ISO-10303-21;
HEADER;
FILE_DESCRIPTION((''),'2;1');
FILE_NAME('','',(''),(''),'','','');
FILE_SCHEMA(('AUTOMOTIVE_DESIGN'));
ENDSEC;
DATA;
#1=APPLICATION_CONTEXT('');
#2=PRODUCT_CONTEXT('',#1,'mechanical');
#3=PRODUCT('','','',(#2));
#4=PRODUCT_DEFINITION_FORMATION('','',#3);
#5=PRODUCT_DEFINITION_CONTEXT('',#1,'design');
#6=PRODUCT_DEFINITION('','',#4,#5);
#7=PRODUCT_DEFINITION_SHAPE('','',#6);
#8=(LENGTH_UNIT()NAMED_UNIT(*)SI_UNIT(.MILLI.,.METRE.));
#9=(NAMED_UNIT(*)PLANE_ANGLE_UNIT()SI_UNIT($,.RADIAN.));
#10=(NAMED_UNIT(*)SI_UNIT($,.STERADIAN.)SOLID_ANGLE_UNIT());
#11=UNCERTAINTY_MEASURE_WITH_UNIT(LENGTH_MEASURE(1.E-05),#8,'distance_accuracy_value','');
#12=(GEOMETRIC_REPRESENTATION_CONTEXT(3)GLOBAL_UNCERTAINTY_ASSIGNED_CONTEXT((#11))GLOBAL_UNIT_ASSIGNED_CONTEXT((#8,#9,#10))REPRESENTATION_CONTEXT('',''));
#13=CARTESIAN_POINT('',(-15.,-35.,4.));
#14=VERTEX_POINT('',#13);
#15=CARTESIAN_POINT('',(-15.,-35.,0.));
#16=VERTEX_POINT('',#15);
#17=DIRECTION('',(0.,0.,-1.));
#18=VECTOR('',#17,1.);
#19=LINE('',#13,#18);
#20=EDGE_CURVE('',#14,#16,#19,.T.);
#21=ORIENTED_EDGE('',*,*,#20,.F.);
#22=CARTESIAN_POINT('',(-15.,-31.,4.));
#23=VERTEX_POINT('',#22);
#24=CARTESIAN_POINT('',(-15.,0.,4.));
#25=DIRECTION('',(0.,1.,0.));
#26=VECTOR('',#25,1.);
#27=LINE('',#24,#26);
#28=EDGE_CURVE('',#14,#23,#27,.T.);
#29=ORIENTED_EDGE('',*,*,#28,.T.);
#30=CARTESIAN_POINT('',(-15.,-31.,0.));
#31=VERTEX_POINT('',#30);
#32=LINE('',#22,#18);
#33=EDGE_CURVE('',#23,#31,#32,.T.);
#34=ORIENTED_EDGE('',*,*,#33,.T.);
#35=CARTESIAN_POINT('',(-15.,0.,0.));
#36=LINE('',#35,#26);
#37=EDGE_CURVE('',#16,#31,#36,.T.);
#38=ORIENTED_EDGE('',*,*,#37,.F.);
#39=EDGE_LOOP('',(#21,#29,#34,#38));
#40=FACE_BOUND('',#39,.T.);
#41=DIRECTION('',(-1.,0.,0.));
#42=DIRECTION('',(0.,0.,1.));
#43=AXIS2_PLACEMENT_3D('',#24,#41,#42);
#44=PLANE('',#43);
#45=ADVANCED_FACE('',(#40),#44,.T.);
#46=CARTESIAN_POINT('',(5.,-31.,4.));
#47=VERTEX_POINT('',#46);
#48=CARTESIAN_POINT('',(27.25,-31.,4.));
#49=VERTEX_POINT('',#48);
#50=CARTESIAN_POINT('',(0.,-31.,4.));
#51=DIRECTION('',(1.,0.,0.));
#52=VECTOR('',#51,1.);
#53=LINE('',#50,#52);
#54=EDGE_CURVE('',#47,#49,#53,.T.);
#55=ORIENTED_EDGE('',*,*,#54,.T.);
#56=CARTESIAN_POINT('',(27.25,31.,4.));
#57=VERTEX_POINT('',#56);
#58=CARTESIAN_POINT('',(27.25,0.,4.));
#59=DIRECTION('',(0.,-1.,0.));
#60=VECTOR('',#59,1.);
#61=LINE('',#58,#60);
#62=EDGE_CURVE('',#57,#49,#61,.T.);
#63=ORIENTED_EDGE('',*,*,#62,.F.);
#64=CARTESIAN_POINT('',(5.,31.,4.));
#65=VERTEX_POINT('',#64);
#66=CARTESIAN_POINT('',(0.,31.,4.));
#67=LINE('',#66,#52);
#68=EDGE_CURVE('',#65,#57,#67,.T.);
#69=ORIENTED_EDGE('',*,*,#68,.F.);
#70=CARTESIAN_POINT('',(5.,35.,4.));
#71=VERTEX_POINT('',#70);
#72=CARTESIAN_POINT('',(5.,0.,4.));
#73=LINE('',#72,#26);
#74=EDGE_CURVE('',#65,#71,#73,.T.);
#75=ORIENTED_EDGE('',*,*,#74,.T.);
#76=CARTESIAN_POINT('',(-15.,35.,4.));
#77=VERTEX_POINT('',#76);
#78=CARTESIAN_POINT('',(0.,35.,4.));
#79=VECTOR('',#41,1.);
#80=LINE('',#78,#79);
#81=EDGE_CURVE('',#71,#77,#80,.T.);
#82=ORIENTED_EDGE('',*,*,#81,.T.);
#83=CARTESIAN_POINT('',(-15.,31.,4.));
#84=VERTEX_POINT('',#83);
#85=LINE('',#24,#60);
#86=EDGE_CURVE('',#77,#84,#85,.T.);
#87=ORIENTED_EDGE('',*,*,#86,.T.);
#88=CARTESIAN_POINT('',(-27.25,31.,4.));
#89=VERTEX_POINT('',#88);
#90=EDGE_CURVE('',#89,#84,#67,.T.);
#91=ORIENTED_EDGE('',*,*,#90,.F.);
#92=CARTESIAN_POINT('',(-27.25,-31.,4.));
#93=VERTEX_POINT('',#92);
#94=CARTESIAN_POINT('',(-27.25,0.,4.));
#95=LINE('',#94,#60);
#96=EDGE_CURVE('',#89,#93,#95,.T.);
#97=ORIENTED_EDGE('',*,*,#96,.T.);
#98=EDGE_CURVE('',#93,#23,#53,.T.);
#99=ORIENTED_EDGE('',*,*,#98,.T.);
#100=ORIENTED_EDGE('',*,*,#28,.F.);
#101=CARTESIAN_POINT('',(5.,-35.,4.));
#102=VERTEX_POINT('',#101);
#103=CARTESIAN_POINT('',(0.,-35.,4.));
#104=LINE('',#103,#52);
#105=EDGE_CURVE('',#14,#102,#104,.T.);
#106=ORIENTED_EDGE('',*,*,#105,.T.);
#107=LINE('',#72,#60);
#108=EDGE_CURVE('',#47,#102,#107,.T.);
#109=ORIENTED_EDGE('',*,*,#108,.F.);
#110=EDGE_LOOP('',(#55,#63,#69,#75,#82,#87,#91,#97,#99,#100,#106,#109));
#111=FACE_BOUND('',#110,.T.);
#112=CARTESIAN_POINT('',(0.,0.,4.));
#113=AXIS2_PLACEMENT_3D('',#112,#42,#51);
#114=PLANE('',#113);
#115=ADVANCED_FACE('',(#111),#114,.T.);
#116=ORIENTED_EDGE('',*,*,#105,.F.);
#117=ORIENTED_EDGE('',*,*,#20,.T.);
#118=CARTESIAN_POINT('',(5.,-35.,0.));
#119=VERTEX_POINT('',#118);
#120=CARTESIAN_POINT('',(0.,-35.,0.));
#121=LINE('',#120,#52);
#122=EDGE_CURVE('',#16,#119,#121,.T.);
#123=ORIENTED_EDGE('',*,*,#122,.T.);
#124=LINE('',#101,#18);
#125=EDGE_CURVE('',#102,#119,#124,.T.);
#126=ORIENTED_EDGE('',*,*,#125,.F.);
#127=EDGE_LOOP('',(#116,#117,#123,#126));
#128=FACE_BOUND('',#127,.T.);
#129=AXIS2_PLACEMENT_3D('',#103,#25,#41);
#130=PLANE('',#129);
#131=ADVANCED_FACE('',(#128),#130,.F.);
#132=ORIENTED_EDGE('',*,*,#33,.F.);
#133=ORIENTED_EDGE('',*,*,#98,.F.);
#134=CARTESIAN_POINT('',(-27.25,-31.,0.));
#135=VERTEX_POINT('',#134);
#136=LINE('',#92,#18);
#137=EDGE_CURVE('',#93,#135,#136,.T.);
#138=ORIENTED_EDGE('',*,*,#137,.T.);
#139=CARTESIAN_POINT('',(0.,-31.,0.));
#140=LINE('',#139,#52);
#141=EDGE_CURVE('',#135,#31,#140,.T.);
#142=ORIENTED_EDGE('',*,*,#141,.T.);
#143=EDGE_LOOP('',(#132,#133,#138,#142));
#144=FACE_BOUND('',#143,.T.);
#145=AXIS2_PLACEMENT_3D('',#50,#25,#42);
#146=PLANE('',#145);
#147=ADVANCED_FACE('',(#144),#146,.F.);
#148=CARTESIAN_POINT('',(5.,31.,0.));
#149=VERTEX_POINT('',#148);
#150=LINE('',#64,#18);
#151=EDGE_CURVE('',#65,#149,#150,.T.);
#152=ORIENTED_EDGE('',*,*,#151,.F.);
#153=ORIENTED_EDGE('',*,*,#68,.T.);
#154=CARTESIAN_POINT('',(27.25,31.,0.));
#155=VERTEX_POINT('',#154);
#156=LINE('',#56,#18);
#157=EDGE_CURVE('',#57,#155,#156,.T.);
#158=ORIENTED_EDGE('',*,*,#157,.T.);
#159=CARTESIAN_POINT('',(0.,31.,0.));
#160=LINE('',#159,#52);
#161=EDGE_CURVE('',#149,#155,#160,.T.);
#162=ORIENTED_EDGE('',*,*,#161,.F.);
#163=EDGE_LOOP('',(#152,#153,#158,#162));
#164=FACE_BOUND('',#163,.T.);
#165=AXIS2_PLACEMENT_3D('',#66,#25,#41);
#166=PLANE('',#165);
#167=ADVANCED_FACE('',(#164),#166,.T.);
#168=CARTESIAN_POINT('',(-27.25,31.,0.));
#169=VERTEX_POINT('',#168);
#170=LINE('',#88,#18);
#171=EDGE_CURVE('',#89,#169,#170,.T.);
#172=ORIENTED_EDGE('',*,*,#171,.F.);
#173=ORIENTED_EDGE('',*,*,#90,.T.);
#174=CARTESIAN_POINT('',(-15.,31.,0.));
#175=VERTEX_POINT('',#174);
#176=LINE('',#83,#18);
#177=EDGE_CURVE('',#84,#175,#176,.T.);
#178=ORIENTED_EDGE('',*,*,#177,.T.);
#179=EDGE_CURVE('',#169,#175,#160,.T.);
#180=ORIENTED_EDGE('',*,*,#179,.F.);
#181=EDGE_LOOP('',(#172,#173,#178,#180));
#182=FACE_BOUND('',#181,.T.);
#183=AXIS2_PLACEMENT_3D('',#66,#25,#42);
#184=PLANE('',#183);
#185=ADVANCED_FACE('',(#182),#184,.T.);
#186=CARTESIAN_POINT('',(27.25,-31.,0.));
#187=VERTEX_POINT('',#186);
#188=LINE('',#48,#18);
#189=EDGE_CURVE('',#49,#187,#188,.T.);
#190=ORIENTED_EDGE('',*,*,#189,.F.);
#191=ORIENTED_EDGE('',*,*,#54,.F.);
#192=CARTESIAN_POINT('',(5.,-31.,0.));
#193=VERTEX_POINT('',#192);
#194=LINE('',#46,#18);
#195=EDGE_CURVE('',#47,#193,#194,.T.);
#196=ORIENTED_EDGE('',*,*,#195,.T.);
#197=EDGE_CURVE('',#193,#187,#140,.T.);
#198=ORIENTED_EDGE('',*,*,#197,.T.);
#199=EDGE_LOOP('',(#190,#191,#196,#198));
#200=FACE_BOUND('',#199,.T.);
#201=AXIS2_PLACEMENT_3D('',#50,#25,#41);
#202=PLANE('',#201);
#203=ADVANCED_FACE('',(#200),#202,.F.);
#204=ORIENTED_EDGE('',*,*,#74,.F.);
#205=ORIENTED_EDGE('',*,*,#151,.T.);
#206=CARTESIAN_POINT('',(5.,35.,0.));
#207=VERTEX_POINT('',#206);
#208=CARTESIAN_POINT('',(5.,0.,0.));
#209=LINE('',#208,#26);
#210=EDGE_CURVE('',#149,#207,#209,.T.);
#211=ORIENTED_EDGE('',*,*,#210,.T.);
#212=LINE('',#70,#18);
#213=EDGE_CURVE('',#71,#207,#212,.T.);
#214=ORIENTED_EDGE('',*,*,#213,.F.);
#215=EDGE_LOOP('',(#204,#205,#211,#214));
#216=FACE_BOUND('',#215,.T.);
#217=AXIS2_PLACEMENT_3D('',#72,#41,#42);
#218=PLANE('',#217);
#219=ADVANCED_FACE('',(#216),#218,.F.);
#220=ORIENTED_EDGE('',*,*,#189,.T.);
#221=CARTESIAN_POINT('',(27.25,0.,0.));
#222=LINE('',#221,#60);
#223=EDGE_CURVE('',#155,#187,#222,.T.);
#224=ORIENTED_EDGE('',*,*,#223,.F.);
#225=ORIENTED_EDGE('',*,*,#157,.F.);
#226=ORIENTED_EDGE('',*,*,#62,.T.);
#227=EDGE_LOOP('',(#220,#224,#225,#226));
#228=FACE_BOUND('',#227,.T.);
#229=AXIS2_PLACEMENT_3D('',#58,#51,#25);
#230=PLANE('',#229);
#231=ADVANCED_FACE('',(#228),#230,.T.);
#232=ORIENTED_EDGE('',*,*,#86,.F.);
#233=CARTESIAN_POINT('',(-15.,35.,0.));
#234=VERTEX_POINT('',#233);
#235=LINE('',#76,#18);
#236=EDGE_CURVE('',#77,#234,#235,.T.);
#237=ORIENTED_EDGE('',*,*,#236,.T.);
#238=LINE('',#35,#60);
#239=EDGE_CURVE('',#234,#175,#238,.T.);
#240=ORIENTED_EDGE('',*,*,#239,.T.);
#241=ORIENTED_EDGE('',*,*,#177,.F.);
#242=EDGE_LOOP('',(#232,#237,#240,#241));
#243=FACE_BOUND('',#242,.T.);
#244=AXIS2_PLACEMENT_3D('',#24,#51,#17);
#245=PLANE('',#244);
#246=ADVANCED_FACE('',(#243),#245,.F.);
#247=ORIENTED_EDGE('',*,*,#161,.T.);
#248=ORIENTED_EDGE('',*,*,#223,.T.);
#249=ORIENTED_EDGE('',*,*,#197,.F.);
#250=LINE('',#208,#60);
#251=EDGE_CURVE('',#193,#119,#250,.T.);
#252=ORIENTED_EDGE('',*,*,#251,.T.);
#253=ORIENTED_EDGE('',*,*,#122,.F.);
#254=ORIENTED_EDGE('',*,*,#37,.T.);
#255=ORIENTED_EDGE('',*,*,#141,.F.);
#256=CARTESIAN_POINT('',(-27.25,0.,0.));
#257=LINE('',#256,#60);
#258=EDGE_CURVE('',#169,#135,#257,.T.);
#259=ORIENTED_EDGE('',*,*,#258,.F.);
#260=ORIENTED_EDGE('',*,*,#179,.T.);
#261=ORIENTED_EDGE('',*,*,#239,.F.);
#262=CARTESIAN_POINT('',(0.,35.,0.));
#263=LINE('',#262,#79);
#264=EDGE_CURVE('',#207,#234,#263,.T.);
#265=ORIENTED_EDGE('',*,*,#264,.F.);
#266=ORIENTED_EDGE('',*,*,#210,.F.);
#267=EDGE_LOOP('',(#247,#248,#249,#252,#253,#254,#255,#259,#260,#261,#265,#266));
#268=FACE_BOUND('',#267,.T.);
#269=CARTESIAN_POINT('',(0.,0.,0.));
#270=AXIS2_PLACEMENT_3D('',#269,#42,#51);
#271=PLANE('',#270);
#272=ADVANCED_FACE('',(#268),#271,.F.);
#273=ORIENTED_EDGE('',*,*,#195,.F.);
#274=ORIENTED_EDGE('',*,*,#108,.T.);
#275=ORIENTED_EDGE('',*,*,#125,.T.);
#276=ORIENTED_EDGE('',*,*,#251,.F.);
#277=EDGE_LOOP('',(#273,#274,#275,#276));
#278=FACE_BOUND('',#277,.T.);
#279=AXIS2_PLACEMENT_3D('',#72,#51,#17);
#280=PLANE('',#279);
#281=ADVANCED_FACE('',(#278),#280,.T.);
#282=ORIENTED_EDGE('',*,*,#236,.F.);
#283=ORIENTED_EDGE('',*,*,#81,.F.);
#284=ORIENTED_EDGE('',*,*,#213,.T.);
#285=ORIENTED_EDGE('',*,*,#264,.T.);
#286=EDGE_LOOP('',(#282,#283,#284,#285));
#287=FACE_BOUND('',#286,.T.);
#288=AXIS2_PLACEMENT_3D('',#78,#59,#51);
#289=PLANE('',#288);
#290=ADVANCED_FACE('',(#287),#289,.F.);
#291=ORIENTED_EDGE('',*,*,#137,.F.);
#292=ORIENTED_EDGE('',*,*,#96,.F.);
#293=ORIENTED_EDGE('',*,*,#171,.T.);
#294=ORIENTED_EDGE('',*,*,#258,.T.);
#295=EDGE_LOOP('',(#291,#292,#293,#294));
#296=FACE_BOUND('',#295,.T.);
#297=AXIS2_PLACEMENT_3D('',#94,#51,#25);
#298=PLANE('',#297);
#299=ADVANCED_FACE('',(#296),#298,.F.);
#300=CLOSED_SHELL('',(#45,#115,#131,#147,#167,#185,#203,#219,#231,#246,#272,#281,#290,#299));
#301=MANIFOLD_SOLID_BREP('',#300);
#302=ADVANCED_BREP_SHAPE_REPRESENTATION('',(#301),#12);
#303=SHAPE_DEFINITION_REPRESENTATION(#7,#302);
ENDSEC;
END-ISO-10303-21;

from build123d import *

# Parameters (mm, degrees)
BOSS_EXTRUDE1_DEPTH = 4


with BuildPart() as part:
    # Sketch1 → Boss-Extrude1 (new body)
    with BuildSketch(Plane.XY):
        Polygon((5, 31), (5, 35), (-15, 35), (-15, 31), (-27.25, 31), (-27.25, -31), (-15, -31), (-15, -35), (5, -35), (5, -31), (27.25, -31), (27.25, 31), align=None)
    extrude(amount=BOSS_EXTRUDE1_DEPTH)


solid = part.part
